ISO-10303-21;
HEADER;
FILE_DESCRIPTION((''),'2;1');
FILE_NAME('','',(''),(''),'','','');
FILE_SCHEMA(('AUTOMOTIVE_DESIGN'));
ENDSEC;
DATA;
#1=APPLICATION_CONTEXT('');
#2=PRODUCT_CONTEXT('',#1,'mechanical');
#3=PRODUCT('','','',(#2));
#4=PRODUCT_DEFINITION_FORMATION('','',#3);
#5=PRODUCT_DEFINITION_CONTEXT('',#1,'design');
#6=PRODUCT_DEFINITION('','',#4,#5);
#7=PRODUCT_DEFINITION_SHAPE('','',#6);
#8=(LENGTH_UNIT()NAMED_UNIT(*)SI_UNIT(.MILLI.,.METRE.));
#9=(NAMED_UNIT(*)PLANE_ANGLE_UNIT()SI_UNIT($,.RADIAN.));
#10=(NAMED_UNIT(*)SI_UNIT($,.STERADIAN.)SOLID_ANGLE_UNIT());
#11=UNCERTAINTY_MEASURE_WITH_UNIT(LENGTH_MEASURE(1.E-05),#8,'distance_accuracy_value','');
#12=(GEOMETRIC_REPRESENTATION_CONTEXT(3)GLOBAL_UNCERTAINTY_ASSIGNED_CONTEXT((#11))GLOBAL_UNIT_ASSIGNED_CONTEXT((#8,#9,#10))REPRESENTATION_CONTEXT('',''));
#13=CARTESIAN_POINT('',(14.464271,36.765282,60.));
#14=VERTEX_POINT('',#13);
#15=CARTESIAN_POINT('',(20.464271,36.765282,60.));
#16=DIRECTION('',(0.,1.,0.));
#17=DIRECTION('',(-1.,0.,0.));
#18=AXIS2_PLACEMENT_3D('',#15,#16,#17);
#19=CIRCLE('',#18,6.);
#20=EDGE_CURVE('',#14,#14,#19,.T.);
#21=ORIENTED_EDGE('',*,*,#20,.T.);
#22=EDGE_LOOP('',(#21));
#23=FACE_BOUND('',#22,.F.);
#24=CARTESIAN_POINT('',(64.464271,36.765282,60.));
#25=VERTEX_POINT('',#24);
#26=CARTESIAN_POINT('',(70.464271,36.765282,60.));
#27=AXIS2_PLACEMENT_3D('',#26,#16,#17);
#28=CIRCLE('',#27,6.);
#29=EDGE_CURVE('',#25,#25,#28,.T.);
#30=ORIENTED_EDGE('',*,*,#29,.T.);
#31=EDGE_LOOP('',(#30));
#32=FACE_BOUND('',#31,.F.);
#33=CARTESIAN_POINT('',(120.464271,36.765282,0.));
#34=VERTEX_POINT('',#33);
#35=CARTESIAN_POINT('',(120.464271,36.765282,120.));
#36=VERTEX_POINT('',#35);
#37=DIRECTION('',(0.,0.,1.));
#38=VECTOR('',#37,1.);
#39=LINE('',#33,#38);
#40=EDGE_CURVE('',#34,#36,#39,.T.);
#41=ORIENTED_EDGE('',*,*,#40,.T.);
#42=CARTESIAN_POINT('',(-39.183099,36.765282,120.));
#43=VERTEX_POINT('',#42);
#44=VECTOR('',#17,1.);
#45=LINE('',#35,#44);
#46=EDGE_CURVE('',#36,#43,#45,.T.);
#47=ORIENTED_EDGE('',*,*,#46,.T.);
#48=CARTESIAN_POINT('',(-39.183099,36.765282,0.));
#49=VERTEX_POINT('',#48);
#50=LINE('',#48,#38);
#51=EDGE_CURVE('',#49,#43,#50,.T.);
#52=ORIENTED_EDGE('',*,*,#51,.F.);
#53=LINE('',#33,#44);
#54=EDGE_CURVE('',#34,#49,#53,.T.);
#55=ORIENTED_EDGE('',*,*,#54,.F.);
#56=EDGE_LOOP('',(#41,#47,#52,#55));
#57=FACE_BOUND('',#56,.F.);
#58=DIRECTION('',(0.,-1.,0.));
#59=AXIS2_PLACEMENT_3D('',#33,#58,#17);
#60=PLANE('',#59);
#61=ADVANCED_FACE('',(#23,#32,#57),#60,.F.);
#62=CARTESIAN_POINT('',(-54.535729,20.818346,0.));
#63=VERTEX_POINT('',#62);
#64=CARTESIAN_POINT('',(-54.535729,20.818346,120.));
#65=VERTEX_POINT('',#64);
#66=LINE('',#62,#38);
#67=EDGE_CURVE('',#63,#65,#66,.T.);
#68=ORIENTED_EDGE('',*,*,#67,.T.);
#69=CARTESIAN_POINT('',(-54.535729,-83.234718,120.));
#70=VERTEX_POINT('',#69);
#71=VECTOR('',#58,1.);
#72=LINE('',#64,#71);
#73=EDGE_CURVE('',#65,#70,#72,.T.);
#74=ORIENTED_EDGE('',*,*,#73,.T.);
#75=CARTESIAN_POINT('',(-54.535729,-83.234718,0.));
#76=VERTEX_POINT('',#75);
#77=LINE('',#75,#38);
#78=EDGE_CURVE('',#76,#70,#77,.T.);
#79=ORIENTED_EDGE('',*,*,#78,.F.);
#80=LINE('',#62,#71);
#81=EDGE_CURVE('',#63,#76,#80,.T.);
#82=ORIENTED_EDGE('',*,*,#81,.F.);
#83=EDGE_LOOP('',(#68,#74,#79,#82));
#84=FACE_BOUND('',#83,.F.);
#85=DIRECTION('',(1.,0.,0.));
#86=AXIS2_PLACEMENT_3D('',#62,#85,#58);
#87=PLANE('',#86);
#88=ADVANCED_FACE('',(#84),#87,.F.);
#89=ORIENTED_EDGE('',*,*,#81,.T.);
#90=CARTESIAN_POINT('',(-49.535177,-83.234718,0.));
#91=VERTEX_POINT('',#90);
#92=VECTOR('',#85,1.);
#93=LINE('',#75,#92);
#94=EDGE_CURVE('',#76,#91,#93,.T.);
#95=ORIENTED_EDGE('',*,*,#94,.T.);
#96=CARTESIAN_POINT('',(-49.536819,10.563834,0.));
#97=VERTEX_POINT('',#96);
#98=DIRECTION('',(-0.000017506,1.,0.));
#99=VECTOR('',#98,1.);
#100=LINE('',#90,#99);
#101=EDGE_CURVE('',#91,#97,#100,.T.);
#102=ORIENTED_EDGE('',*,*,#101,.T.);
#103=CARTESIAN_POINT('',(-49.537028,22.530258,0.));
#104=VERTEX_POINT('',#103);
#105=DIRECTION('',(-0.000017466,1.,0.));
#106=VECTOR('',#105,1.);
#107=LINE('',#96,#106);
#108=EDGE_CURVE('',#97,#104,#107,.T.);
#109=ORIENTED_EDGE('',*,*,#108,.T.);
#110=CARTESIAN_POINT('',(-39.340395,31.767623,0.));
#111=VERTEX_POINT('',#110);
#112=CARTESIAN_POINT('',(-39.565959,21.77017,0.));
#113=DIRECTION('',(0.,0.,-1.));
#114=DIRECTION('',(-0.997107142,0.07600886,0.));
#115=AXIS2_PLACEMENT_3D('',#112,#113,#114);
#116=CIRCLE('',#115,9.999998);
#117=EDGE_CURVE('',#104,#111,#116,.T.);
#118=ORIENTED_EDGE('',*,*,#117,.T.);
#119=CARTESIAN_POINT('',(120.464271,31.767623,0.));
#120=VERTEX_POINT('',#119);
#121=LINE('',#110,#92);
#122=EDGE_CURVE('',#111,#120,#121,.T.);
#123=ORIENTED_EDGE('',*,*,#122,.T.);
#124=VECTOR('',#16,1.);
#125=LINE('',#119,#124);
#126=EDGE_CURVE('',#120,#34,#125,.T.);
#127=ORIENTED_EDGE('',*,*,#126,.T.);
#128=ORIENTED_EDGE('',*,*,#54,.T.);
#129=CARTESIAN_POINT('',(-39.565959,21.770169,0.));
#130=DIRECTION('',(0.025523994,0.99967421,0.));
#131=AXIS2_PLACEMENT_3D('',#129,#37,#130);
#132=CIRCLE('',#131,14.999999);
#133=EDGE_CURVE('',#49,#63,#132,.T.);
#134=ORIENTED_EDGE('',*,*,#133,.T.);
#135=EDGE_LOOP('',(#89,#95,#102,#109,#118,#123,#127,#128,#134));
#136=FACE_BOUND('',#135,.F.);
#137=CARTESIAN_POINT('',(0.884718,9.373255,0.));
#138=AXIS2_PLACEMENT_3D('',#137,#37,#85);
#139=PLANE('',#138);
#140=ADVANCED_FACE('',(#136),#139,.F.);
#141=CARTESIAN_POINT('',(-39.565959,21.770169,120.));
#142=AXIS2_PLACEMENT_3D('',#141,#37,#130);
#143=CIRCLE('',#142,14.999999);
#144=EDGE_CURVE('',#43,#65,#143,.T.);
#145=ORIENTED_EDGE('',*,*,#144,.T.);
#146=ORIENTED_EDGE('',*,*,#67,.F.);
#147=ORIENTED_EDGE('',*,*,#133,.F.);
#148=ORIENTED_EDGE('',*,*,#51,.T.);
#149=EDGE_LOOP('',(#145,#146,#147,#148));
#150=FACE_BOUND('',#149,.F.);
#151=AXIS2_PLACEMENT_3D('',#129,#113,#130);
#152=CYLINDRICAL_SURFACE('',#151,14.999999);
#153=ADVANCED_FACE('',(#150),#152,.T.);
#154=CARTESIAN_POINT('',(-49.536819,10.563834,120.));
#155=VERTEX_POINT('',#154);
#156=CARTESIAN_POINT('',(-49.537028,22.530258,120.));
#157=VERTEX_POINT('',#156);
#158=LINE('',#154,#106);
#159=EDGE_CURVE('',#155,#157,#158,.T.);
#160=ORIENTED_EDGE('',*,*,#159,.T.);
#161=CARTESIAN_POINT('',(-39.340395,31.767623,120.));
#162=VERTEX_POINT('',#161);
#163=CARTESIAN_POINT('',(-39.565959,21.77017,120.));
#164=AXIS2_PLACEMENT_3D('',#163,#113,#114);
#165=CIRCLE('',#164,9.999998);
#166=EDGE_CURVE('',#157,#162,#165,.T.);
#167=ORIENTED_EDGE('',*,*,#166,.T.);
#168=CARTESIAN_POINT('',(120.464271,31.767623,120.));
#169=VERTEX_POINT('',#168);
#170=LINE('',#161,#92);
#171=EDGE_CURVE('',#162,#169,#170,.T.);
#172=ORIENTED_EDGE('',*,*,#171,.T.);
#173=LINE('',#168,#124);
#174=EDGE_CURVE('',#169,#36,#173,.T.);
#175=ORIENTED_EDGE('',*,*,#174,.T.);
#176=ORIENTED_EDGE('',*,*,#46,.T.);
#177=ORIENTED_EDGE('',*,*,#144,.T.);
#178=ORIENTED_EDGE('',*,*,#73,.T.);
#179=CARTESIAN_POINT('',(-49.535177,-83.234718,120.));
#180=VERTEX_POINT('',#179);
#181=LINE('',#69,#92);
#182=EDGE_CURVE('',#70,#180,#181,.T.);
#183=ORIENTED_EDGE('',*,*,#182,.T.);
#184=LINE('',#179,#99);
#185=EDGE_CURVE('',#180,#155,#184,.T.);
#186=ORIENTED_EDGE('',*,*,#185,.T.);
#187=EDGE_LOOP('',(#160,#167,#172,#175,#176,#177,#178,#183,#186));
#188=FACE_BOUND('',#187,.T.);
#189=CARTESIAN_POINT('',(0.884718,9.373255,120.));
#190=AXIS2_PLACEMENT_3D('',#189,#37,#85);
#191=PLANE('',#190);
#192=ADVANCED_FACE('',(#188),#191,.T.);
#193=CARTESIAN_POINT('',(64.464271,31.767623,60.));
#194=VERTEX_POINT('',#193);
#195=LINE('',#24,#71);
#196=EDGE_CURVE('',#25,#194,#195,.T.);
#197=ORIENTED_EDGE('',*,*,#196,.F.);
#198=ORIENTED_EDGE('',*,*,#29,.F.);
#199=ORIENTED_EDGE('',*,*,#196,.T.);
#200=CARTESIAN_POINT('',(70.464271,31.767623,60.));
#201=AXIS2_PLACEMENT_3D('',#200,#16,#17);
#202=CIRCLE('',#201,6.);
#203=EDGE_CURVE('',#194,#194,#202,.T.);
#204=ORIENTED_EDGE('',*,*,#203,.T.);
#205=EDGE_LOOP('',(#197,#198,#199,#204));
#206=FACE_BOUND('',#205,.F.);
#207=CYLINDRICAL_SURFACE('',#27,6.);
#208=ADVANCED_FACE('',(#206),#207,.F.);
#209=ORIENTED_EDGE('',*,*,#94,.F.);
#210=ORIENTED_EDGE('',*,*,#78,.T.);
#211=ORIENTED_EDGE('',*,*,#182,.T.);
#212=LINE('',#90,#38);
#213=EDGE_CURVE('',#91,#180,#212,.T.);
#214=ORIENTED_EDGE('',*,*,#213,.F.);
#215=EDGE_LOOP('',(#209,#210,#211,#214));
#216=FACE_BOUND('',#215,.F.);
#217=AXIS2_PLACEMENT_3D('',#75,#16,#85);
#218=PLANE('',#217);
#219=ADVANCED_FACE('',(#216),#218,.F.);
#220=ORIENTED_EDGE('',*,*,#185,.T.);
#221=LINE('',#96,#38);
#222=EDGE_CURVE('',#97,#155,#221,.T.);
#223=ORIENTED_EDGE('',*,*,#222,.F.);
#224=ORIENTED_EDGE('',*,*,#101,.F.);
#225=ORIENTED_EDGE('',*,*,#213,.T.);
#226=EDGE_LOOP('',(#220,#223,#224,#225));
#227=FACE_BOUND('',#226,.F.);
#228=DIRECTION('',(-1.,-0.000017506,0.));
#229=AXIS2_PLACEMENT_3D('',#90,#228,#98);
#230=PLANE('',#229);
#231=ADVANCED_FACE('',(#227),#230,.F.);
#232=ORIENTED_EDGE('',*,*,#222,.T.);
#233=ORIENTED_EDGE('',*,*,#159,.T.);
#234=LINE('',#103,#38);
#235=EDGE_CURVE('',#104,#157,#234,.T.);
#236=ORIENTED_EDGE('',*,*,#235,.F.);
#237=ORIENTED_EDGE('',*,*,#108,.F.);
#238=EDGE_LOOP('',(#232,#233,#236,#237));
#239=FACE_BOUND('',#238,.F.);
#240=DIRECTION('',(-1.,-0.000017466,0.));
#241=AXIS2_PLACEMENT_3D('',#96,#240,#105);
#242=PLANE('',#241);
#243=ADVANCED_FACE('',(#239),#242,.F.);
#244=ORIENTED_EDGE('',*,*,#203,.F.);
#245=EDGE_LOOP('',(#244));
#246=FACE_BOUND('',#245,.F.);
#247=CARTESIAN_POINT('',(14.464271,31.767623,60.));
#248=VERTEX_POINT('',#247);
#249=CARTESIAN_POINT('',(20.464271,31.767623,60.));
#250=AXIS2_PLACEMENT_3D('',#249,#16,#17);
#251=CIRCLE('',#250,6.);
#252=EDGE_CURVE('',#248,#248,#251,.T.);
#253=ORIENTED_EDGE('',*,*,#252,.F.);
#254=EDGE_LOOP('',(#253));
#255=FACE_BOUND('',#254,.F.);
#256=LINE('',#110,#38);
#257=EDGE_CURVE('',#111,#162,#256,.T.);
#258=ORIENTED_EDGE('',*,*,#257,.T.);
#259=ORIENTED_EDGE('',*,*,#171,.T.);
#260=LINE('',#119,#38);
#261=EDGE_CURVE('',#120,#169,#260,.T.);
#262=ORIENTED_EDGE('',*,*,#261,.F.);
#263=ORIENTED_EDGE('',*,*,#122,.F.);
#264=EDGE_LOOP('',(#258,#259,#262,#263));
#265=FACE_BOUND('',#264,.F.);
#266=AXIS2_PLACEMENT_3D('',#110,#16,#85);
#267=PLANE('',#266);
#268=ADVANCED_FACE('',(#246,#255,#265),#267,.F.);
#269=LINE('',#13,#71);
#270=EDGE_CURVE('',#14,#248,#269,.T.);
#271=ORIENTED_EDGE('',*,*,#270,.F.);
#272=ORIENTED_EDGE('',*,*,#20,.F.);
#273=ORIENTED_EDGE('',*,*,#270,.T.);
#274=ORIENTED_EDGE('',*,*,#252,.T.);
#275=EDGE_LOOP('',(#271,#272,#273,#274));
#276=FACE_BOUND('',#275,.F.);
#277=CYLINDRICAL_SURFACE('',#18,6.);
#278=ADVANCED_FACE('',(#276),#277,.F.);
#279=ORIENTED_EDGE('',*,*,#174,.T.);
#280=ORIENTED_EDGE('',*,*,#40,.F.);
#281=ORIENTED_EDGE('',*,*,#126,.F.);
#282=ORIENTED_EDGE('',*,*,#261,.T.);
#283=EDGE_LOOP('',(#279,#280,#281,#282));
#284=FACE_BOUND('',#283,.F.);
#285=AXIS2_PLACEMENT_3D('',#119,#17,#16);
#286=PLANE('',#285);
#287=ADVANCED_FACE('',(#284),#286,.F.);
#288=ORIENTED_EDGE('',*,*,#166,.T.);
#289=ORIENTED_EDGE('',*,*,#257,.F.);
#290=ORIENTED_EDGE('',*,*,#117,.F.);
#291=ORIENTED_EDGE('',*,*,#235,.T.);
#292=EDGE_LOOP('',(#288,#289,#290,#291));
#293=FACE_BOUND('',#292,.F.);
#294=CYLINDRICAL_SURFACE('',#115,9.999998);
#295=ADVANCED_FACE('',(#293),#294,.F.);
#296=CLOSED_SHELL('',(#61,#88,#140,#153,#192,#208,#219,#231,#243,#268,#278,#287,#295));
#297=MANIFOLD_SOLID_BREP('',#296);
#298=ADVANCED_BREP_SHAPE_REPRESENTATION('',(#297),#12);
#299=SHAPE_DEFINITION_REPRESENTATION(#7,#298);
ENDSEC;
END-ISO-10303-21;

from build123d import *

# Parameters (mm, degrees)
F1_DEPTH = 120
F2_R     = 6
F3_DEPTH = 5


with BuildPart() as f1:
    # F0 (on Top) → F1 (new body)
    with BuildSketch(Plane.XY):
        with BuildLine():
            Line((120.464271, 36.765282), (-39.183099, 36.765282))
            ThreePointArc((-39.183099, 36.765282), (-50.372007, 32.173501), (-54.535729, 20.818346))
            Line((-54.535729, 20.818346), (-54.535729, -83.234718))
            Line((-54.535729, -83.234718), (-49.535177, -83.234718))
            Line((-49.535177, -83.234718), (-49.536819, 10.563834))
            Line((-49.536819, 10.563834), (-49.537028, 22.530258))
            ThreePointArc((-49.537028, 22.530258), (-46.279821, 29.181243), (-39.340395, 31.767623))
            Line((-39.340395, 31.767623), (-28.383342, 31.767623))
            Line((-28.383342, 31.767623), (120.464271, 31.767623))
            Line((120.464271, 31.767623), (120.464271, 36.765282))
        make_face()
    extrude(amount=F1_DEPTH)

    # F2 (on face) → F3 (cut)
    with BuildSketch(Plane(origin=(0, 36.765282, 0), x_dir=(-1, 0, 0), z_dir=(0, 1, 0))):
        with Locations((-70.464271, 60)):
            Circle(F2_R)
        with Locations((-20.464271, 60)):
            Circle(F2_R)
    extrude(amount=-F3_DEPTH, mode=Mode.SUBTRACT)


solid = f1.part
